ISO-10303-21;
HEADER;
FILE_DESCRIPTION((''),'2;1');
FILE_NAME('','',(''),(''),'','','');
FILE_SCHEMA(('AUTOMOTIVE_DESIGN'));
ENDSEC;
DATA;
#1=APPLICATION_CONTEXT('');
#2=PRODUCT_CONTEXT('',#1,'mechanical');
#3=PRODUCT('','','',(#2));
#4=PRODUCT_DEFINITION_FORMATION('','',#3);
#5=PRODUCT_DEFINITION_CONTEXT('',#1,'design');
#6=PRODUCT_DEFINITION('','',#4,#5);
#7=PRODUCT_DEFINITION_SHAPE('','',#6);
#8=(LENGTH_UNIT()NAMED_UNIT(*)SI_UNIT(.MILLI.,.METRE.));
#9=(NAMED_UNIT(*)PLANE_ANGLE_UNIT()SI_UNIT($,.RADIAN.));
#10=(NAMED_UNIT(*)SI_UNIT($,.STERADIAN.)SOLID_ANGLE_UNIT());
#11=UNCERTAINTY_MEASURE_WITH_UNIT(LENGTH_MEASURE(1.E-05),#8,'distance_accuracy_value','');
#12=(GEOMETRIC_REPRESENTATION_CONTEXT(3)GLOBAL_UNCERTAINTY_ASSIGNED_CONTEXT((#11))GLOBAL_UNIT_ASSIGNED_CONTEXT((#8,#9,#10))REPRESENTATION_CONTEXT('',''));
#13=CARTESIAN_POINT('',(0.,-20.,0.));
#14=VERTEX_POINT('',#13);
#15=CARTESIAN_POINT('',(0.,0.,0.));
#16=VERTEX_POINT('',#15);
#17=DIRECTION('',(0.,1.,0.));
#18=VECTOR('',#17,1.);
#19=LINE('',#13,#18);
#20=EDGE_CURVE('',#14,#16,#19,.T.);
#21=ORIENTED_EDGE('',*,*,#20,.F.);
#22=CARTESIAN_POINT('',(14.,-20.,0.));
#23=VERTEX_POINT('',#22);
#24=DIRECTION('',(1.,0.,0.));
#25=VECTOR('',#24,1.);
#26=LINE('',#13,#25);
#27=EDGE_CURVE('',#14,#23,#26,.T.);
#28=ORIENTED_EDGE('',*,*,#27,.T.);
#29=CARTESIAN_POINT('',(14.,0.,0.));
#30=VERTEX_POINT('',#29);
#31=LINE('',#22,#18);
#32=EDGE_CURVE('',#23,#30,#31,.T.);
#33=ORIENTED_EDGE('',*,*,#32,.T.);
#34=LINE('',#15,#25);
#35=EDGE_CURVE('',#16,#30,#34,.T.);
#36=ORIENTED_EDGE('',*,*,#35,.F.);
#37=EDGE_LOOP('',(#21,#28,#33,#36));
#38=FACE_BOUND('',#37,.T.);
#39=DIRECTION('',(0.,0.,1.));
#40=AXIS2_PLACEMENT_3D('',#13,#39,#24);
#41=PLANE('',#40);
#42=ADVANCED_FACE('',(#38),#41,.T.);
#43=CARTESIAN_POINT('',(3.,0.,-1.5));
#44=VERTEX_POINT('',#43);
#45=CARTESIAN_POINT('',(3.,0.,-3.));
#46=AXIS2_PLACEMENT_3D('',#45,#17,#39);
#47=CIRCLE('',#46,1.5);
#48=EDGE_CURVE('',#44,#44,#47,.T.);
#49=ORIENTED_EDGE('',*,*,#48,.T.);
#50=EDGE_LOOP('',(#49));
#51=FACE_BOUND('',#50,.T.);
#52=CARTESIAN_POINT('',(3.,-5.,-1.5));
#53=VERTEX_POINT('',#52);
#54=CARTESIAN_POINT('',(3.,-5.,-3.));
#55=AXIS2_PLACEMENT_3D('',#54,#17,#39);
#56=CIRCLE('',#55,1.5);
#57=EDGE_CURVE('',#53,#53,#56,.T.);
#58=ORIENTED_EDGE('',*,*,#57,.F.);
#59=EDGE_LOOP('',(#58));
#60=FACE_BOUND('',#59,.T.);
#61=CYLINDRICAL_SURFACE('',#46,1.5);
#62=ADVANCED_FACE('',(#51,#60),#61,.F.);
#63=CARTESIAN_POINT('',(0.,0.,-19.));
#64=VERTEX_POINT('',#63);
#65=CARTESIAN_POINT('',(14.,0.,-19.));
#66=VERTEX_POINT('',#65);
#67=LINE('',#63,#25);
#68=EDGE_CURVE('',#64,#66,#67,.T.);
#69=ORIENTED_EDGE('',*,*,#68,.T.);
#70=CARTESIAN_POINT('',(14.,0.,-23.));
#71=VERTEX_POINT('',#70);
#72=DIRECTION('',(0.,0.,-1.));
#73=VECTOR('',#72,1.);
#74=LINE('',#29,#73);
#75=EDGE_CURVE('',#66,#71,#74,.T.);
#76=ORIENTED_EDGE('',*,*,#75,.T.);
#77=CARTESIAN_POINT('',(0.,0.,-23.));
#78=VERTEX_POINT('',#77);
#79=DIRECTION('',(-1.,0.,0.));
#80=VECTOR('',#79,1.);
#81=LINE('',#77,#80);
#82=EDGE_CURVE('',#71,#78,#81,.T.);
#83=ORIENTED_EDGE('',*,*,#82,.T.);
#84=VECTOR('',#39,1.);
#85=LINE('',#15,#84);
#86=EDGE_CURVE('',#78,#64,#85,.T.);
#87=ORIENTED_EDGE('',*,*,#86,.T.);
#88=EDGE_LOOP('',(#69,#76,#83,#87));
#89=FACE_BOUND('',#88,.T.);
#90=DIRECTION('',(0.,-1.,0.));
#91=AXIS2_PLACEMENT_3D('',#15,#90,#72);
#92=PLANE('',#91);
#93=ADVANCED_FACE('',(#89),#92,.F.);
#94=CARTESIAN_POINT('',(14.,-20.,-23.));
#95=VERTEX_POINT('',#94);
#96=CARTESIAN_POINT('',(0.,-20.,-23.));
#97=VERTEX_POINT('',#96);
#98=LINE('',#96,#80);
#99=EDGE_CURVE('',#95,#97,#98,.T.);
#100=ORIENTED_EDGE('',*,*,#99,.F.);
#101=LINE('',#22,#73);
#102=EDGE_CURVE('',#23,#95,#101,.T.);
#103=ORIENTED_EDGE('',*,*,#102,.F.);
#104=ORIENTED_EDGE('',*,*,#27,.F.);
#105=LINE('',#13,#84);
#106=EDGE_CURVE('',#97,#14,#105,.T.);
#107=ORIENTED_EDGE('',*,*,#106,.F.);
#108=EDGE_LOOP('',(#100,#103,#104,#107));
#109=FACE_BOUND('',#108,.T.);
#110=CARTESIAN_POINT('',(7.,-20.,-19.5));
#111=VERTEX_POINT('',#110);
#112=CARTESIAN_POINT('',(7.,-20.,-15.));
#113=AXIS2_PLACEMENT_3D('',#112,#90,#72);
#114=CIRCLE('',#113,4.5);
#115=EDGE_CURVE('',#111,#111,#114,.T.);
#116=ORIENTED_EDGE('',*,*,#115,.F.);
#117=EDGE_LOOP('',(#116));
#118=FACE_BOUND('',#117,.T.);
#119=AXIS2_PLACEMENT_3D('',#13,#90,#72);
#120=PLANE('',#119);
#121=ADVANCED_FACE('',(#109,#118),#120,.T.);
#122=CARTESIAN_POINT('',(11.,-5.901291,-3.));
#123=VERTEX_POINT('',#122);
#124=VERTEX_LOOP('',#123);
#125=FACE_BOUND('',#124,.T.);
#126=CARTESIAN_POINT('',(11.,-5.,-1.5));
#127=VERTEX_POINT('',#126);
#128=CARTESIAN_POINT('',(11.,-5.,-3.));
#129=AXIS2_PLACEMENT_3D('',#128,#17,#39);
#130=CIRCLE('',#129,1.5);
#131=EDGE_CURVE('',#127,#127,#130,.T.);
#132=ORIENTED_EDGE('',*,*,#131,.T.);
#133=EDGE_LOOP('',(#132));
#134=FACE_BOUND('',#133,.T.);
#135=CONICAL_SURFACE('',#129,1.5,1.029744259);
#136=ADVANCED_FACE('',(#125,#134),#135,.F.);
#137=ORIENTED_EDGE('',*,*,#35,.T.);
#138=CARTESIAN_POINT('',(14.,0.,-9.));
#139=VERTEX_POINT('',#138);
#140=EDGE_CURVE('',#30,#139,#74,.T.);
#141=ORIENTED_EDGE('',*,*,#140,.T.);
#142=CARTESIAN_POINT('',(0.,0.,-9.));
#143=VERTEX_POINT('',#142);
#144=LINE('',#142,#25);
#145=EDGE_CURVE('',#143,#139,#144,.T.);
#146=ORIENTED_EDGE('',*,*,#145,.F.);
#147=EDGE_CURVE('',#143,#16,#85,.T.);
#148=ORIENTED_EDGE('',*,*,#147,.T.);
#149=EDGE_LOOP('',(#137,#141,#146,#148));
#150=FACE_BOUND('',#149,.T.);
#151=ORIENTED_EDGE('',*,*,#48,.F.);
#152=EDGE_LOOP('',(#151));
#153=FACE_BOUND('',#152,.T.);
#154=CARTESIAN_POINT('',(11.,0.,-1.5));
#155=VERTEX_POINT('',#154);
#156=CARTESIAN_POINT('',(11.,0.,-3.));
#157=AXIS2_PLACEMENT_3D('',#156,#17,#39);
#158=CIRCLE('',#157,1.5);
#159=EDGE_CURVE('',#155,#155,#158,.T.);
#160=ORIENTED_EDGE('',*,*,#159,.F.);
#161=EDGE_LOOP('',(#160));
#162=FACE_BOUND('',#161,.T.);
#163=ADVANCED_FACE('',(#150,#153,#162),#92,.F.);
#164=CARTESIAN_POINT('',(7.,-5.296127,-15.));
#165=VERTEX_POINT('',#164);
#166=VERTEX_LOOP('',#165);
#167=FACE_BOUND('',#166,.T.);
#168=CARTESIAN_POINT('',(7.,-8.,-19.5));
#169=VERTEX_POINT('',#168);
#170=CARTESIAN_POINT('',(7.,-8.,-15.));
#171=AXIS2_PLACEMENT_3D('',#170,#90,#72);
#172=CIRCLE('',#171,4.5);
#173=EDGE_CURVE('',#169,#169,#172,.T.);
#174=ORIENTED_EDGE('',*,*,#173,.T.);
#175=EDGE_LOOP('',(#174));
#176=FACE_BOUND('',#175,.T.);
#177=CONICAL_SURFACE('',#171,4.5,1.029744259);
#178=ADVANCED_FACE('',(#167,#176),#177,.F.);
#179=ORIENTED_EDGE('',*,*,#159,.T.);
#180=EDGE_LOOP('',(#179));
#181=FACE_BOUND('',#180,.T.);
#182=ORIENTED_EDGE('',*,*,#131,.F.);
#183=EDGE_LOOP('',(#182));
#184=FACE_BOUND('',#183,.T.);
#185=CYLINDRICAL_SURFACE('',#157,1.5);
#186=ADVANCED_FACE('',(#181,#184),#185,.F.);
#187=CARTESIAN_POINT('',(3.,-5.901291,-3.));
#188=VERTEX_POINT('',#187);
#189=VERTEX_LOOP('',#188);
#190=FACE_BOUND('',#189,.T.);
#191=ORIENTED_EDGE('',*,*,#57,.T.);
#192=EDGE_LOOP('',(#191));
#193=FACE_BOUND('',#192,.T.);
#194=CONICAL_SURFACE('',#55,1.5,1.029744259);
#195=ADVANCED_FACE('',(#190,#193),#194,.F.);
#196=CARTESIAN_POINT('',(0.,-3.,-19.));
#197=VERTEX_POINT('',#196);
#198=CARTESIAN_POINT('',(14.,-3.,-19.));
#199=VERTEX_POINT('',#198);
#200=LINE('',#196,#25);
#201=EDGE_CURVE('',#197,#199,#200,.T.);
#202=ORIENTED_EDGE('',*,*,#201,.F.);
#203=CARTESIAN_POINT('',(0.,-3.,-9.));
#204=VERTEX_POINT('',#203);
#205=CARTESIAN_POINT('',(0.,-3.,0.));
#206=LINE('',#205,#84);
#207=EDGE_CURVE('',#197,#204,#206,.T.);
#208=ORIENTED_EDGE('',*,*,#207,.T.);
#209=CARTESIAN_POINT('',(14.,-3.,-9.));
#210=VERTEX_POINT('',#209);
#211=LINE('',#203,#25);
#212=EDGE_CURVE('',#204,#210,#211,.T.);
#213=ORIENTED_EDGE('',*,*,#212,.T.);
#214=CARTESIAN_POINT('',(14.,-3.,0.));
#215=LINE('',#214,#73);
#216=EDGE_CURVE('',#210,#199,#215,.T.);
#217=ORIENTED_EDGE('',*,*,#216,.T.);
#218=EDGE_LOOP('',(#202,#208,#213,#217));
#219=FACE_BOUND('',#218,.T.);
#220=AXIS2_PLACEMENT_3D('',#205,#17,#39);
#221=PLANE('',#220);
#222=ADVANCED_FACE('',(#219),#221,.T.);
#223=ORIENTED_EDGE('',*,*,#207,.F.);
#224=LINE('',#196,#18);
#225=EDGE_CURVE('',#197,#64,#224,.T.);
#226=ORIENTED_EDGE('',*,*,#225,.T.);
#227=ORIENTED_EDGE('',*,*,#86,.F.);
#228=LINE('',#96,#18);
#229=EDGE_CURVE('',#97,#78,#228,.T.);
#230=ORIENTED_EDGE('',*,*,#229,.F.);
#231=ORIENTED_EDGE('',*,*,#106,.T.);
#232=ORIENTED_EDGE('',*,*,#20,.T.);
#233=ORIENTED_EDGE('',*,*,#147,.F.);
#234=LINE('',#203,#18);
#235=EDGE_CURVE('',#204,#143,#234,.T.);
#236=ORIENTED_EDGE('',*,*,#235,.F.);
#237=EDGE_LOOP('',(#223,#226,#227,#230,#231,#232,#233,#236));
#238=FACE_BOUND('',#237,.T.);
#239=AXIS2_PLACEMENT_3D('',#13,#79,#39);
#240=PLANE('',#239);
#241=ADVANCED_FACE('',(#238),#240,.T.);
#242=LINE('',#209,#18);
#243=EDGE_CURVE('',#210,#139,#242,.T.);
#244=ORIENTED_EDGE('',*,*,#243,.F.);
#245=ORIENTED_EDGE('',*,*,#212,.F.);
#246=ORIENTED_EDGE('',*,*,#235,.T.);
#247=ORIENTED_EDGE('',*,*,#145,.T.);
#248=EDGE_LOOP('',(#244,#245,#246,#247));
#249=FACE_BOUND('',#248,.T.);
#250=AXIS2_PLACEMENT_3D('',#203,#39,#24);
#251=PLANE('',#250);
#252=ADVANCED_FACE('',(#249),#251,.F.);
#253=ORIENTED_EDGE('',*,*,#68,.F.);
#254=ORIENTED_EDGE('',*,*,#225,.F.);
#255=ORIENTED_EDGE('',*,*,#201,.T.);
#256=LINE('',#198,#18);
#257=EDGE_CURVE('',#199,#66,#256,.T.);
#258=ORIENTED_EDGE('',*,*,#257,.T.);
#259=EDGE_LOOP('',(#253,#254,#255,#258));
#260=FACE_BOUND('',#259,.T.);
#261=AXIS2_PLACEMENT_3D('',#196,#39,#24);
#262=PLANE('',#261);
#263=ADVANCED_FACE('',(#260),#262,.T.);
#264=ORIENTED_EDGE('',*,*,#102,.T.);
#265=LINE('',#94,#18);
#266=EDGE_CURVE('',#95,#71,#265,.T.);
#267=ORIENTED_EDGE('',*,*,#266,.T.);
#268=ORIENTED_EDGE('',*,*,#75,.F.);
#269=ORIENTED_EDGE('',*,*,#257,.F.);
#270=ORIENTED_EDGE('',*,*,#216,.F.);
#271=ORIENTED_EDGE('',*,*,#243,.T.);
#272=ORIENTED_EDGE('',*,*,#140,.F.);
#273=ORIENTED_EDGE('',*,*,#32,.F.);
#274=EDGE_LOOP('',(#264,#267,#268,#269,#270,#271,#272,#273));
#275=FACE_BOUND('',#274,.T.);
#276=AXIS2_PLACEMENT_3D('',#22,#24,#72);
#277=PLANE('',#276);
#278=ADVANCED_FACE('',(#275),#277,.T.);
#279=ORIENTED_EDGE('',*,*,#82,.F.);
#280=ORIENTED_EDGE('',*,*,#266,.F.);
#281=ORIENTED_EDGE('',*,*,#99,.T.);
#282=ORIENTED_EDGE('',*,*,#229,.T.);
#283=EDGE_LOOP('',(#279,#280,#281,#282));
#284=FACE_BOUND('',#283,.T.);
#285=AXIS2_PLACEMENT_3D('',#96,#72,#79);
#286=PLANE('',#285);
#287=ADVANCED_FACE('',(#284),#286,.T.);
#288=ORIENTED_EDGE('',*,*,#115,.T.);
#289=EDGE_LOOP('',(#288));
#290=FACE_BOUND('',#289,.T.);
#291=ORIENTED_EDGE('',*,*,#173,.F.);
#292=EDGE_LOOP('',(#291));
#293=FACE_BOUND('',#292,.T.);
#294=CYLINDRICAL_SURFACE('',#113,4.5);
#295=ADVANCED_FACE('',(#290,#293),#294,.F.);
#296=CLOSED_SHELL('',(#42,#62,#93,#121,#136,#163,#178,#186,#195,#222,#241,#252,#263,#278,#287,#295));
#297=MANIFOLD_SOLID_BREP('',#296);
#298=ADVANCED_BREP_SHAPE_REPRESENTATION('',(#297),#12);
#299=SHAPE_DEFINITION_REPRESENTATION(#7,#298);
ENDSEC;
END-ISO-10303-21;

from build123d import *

# Parameters (mm, degrees)
SKETCH1_W                    = 14
SKETCH1_H                    = 23
BOSS_EXTRUDE1_DEPTH          = 20
SKETCH2_W                    = 14
SKETCH2_H                    = 10
CUT_EXTRUDE1_DEPTH           = 3
F_3_0_3_DIAMETER_HOLE1_D     = 3
F_3_0_3_DIAMETER_HOLE1_DEPTH = 5
F_3_0_3_DIAMETER_HOLE1_TIP   = 0.901290929
M10X1_0_TAPPED_HOLE1_D       = 9
M10X1_0_TAPPED_HOLE1_DEPTH   = 12
M10X1_0_TAPPED_HOLE1_TIP     = 2.703872786


with BuildPart() as part:
    # Sketch1 → Boss-Extrude1 (new body)
    with BuildSketch(Plane(origin=(0, 0, 0), x_dir=(1, 0, 0), z_dir=(0, 1, 0))):
        with Locations((7, 11.5)):
            Rectangle(SKETCH1_W, SKETCH1_H)
    extrude(amount=-BOSS_EXTRUDE1_DEPTH)

    # Sketch2 → Cut-Extrude1 (cut)
    with BuildSketch(Plane(origin=(0, 0, 0), x_dir=(1, 0, 0), z_dir=(0, 1, 0))):
        with Locations((7, 14)):
            Rectangle(SKETCH2_W, SKETCH2_H)
    extrude(amount=-CUT_EXTRUDE1_DEPTH, mode=Mode.SUBTRACT)

    # Ø3.0 (3) Diameter Hole1
    with Locations(Plane(origin=(0, 0, 0), x_dir=(1, 0, 0), z_dir=(0, 1, 0))):
        with Locations((11, 3), (3, 3)):
            Hole(F_3_0_3_DIAMETER_HOLE1_D / 2, depth=F_3_0_3_DIAMETER_HOLE1_DEPTH)
            with Locations((0, 0, -(F_3_0_3_DIAMETER_HOLE1_DEPTH + F_3_0_3_DIAMETER_HOLE1_TIP / 2))):  # 118° drill point
                Cone(0, F_3_0_3_DIAMETER_HOLE1_D / 2, F_3_0_3_DIAMETER_HOLE1_TIP, mode=Mode.SUBTRACT)

    # M10x1.0 Tapped Hole1
    with Locations(Plane(origin=(0, -20, 0), x_dir=(-1, 0, 0), z_dir=(0, -1, 0))):
        with Locations((-7, 15)):
            Hole(M10X1_0_TAPPED_HOLE1_D / 2, depth=M10X1_0_TAPPED_HOLE1_DEPTH)
            with Locations((0, 0, -(M10X1_0_TAPPED_HOLE1_DEPTH + M10X1_0_TAPPED_HOLE1_TIP / 2))):  # 118° drill point
                Cone(0, M10X1_0_TAPPED_HOLE1_D / 2, M10X1_0_TAPPED_HOLE1_TIP, mode=Mode.SUBTRACT)


solid = part.part
